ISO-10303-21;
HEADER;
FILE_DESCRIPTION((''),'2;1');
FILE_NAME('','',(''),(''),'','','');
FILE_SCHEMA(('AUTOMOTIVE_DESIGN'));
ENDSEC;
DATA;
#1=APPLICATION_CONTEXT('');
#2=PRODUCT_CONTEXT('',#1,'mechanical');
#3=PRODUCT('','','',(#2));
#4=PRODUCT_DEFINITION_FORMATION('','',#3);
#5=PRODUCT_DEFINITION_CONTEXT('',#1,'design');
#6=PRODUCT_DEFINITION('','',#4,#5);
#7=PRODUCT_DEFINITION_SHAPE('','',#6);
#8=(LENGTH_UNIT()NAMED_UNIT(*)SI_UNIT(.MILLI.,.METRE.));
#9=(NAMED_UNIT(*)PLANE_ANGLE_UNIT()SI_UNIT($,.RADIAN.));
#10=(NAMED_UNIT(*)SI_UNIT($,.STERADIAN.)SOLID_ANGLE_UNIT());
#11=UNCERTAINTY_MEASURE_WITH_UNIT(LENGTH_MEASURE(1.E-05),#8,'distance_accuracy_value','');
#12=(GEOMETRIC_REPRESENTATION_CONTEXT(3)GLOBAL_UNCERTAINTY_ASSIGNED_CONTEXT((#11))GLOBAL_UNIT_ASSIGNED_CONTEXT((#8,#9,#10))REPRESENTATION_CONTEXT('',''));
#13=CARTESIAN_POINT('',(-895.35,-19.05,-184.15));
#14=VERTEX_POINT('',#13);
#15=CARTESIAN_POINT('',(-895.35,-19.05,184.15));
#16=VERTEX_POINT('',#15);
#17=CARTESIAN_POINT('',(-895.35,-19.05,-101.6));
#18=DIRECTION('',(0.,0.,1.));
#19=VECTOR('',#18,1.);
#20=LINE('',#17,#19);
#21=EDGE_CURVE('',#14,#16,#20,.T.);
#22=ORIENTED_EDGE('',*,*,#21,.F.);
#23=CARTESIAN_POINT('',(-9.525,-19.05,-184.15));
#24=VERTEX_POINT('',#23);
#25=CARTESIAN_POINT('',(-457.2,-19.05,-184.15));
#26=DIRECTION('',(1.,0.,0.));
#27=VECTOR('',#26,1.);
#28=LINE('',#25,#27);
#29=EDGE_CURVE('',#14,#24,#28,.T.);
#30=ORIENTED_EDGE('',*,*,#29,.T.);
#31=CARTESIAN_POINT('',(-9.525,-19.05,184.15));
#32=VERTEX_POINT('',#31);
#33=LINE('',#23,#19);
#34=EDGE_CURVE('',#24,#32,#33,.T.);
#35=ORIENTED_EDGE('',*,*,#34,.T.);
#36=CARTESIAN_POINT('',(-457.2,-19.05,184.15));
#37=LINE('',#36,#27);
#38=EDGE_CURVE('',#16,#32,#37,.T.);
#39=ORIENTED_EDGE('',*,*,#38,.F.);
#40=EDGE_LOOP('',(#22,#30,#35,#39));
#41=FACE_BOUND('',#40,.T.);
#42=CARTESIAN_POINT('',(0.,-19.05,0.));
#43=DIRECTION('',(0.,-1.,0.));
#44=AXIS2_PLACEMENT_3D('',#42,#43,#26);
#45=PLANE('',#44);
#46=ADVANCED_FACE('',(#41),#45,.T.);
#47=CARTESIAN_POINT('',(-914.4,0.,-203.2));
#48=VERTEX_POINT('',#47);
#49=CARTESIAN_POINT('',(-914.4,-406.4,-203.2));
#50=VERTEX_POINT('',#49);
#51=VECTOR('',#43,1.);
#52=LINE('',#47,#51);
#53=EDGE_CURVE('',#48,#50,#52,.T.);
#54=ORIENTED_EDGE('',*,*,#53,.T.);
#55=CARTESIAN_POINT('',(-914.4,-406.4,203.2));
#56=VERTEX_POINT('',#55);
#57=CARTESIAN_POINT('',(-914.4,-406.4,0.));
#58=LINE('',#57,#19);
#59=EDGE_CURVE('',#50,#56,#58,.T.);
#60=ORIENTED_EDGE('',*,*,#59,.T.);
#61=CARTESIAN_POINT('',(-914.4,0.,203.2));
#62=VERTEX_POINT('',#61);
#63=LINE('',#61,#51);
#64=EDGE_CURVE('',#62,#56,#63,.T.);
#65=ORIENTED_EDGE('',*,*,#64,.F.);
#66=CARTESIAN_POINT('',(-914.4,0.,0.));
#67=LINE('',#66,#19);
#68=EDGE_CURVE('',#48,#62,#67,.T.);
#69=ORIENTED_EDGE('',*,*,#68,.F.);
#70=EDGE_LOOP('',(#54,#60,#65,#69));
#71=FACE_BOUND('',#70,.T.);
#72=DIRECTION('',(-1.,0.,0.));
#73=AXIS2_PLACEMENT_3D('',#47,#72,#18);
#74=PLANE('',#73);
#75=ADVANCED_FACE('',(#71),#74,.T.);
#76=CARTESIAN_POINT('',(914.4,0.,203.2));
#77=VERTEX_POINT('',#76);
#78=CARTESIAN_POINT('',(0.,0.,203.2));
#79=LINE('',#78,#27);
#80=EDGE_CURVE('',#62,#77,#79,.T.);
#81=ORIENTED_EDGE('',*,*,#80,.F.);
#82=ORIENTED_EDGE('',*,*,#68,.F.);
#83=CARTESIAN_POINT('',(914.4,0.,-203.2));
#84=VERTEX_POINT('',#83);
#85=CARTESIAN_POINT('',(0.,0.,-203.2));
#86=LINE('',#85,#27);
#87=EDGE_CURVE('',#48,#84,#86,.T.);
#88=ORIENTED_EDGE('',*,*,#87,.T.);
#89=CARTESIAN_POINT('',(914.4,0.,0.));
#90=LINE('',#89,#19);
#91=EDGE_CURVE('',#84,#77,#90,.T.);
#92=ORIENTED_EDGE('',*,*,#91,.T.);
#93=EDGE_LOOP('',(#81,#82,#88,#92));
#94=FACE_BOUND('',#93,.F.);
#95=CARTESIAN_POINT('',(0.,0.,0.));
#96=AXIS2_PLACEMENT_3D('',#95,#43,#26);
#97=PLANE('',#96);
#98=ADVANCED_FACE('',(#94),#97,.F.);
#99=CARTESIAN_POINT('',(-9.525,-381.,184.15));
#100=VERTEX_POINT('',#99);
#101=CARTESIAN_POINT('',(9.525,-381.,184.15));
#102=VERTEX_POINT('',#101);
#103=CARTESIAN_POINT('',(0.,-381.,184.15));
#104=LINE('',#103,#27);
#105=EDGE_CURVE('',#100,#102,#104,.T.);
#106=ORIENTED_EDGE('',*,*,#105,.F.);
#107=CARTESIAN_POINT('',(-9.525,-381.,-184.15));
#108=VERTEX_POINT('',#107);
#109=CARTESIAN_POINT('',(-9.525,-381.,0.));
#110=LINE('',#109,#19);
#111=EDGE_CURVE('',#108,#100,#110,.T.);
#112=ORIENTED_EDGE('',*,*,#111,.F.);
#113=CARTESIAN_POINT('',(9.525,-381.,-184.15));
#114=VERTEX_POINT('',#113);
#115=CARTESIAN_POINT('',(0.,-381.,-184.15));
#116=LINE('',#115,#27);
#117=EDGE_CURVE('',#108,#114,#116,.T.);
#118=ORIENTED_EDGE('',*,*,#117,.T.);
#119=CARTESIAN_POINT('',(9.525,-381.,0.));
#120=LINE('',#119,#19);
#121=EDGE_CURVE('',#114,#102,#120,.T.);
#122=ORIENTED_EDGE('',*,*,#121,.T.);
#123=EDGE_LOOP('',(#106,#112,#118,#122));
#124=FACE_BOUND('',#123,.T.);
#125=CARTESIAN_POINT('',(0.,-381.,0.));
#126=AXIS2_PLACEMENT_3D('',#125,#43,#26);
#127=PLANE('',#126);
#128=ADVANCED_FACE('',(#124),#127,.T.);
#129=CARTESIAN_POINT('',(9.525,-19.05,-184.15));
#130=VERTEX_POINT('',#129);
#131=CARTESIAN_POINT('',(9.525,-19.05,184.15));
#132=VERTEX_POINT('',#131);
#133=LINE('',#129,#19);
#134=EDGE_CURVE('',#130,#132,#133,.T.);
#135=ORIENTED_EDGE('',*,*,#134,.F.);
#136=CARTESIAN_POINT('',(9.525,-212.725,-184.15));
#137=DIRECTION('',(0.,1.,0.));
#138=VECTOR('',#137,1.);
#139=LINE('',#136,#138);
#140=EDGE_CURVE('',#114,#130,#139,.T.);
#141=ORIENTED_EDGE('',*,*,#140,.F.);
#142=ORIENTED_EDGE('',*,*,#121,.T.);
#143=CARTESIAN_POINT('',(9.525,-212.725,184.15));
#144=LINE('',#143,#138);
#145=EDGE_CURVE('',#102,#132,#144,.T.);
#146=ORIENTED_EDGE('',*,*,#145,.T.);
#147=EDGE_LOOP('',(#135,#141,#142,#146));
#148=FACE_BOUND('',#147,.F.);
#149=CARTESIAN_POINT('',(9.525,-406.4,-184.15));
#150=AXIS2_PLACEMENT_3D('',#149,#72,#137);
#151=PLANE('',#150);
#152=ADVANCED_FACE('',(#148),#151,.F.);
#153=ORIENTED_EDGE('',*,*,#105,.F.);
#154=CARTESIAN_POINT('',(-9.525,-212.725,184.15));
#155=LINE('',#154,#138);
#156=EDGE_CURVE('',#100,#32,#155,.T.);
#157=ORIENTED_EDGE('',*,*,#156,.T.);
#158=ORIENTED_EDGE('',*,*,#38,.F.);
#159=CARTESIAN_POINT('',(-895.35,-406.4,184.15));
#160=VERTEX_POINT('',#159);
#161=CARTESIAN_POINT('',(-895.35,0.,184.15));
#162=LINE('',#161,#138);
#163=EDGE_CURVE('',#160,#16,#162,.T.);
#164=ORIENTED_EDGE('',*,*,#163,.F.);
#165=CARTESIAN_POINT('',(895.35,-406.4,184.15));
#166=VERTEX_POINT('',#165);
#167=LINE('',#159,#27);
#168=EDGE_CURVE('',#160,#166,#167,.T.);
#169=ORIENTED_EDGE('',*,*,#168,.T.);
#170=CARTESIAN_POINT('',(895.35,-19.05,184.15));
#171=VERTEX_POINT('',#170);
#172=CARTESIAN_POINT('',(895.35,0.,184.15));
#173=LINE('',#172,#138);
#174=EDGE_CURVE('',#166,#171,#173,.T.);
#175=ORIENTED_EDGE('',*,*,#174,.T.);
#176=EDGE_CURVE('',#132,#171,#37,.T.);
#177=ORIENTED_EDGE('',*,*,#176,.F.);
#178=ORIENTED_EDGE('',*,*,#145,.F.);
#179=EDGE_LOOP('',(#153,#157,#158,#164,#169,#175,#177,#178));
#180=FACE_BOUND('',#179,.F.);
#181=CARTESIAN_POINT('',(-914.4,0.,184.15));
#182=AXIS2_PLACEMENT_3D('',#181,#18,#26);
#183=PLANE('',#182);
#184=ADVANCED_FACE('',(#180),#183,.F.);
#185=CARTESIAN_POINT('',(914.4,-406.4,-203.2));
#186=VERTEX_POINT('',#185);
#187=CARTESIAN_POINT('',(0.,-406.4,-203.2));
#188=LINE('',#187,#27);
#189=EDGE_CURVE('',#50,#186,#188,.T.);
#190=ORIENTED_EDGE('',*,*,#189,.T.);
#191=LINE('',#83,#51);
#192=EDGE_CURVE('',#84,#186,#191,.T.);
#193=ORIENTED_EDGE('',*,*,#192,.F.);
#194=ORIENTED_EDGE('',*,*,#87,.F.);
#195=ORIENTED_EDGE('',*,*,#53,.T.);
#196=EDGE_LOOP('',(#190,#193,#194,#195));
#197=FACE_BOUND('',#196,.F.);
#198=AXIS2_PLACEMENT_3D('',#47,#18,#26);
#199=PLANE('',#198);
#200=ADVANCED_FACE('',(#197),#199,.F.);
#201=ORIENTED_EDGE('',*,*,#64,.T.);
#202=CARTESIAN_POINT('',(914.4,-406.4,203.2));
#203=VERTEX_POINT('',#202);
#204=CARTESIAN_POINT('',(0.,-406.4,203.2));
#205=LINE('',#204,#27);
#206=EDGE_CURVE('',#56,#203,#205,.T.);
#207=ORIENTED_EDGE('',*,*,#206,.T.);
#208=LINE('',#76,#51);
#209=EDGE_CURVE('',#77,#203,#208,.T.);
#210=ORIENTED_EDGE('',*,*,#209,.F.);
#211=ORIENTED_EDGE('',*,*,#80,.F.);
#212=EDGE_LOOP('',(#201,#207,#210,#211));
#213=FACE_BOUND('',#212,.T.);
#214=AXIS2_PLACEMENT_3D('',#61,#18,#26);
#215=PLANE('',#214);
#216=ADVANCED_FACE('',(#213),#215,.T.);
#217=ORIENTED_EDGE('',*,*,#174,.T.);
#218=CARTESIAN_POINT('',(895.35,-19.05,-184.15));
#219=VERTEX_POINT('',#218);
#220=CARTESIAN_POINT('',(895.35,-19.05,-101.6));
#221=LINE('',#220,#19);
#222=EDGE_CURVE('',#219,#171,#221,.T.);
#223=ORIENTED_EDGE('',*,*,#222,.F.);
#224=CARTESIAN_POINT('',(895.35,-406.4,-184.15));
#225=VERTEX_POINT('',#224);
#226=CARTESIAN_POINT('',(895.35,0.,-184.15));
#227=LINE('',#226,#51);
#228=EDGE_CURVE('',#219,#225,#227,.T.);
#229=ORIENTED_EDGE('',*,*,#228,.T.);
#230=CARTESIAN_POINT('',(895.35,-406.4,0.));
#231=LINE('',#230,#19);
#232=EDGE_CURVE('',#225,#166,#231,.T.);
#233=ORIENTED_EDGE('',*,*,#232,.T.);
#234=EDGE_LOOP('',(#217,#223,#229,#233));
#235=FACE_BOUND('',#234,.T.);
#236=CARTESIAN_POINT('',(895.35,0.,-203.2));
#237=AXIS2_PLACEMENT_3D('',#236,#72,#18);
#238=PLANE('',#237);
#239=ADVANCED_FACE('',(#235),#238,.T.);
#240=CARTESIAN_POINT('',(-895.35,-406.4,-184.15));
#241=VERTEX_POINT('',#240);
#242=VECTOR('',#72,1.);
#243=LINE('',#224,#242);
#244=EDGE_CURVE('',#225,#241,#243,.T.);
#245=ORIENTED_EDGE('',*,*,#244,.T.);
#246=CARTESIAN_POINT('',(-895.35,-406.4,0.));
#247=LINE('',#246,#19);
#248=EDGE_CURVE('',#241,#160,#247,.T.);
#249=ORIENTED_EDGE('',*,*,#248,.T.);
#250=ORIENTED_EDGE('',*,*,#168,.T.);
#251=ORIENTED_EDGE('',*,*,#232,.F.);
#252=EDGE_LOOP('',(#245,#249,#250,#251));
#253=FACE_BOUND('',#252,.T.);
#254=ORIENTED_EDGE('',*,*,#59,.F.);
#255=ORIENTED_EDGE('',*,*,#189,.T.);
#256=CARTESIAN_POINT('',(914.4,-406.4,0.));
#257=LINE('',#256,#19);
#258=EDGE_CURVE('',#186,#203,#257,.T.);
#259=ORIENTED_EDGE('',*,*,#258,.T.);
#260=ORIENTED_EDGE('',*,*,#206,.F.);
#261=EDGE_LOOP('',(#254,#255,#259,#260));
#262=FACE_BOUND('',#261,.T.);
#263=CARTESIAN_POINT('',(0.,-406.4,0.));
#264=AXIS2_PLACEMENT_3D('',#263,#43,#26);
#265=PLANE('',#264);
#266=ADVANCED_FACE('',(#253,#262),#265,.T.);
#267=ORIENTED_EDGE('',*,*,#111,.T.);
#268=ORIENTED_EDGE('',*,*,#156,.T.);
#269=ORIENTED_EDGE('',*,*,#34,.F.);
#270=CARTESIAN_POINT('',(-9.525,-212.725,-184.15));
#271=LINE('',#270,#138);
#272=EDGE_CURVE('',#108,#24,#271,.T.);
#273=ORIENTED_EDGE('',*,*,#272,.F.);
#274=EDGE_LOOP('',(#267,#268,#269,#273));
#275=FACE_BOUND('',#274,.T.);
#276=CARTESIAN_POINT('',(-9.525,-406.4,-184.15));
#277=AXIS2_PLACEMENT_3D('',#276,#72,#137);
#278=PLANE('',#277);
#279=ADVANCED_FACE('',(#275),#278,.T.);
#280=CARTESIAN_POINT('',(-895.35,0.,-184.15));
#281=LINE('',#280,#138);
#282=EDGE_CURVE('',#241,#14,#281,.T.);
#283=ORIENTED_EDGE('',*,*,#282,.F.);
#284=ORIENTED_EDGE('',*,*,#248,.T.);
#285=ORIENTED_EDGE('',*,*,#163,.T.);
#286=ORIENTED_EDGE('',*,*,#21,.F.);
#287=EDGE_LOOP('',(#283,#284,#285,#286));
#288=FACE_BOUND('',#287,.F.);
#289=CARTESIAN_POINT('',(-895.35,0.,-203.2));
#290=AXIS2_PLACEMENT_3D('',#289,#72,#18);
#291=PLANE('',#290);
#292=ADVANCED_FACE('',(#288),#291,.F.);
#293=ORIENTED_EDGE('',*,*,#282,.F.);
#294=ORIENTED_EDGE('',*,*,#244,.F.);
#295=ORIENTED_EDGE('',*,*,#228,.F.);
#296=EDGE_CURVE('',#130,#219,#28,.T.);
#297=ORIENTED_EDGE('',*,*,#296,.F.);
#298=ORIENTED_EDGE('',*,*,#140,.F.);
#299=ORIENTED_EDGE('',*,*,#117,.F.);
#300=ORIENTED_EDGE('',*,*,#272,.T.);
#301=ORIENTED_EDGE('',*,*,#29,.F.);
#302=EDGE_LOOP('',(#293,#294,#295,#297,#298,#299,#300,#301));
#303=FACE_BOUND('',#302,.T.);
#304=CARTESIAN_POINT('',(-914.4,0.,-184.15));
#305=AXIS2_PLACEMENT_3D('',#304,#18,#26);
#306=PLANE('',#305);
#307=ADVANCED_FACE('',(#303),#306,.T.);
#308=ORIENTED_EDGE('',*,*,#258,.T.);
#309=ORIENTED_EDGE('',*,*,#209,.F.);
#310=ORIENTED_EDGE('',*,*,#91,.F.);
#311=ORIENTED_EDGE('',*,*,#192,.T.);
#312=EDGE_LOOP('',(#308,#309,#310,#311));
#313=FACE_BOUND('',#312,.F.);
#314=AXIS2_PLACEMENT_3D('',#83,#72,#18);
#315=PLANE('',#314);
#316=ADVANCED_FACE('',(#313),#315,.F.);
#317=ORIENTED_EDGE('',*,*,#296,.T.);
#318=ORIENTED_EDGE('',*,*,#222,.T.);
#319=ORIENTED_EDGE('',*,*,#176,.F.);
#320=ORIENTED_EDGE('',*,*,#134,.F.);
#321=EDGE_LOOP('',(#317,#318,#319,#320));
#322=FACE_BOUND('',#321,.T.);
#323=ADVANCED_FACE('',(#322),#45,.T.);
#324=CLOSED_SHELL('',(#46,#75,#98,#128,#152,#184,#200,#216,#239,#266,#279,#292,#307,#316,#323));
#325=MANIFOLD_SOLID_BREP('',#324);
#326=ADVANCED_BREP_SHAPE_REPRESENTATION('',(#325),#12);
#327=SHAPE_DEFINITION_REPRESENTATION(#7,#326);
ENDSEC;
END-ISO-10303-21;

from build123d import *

# Parameters (mm, degrees)
F0_W     = 1828.8
F0_H     = 406.4
F1_DEPTH = 406.4
F2_T     = -19.05
F3_W     = 19.05
F3_H     = 387.35
F4_DEPTH = 368.3
F5_W     = 19.05
F5_H     = 368.3
F6_DEPTH = 25.4


with BuildPart() as f1:
    # F0 (on Front) → F1 (new body)
    with BuildSketch(Plane.XZ):
        Rectangle(F0_W, F0_H)
    extrude(amount=F1_DEPTH)

    # F2
    f2_openings = [f1.faces().sort_by_distance(p)[0] for p in [
        (0, -406.4, 0),
    ]]
    offset(amount=F2_T, openings=f2_openings)

    # F3 (on face) → F4 (join)
    with BuildSketch(Plane.XY.offset(-184.15)):
        with Locations((0, -212.725)):
            Rectangle(F3_W, F3_H)
    extrude(amount=F4_DEPTH)

    # F5 (on face) → F6 (cut)
    with BuildSketch(Plane.XZ.offset(406.4)):
        Rectangle(F5_W, F5_H)
    extrude(amount=-F6_DEPTH, mode=Mode.SUBTRACT)


solid = f1.part
